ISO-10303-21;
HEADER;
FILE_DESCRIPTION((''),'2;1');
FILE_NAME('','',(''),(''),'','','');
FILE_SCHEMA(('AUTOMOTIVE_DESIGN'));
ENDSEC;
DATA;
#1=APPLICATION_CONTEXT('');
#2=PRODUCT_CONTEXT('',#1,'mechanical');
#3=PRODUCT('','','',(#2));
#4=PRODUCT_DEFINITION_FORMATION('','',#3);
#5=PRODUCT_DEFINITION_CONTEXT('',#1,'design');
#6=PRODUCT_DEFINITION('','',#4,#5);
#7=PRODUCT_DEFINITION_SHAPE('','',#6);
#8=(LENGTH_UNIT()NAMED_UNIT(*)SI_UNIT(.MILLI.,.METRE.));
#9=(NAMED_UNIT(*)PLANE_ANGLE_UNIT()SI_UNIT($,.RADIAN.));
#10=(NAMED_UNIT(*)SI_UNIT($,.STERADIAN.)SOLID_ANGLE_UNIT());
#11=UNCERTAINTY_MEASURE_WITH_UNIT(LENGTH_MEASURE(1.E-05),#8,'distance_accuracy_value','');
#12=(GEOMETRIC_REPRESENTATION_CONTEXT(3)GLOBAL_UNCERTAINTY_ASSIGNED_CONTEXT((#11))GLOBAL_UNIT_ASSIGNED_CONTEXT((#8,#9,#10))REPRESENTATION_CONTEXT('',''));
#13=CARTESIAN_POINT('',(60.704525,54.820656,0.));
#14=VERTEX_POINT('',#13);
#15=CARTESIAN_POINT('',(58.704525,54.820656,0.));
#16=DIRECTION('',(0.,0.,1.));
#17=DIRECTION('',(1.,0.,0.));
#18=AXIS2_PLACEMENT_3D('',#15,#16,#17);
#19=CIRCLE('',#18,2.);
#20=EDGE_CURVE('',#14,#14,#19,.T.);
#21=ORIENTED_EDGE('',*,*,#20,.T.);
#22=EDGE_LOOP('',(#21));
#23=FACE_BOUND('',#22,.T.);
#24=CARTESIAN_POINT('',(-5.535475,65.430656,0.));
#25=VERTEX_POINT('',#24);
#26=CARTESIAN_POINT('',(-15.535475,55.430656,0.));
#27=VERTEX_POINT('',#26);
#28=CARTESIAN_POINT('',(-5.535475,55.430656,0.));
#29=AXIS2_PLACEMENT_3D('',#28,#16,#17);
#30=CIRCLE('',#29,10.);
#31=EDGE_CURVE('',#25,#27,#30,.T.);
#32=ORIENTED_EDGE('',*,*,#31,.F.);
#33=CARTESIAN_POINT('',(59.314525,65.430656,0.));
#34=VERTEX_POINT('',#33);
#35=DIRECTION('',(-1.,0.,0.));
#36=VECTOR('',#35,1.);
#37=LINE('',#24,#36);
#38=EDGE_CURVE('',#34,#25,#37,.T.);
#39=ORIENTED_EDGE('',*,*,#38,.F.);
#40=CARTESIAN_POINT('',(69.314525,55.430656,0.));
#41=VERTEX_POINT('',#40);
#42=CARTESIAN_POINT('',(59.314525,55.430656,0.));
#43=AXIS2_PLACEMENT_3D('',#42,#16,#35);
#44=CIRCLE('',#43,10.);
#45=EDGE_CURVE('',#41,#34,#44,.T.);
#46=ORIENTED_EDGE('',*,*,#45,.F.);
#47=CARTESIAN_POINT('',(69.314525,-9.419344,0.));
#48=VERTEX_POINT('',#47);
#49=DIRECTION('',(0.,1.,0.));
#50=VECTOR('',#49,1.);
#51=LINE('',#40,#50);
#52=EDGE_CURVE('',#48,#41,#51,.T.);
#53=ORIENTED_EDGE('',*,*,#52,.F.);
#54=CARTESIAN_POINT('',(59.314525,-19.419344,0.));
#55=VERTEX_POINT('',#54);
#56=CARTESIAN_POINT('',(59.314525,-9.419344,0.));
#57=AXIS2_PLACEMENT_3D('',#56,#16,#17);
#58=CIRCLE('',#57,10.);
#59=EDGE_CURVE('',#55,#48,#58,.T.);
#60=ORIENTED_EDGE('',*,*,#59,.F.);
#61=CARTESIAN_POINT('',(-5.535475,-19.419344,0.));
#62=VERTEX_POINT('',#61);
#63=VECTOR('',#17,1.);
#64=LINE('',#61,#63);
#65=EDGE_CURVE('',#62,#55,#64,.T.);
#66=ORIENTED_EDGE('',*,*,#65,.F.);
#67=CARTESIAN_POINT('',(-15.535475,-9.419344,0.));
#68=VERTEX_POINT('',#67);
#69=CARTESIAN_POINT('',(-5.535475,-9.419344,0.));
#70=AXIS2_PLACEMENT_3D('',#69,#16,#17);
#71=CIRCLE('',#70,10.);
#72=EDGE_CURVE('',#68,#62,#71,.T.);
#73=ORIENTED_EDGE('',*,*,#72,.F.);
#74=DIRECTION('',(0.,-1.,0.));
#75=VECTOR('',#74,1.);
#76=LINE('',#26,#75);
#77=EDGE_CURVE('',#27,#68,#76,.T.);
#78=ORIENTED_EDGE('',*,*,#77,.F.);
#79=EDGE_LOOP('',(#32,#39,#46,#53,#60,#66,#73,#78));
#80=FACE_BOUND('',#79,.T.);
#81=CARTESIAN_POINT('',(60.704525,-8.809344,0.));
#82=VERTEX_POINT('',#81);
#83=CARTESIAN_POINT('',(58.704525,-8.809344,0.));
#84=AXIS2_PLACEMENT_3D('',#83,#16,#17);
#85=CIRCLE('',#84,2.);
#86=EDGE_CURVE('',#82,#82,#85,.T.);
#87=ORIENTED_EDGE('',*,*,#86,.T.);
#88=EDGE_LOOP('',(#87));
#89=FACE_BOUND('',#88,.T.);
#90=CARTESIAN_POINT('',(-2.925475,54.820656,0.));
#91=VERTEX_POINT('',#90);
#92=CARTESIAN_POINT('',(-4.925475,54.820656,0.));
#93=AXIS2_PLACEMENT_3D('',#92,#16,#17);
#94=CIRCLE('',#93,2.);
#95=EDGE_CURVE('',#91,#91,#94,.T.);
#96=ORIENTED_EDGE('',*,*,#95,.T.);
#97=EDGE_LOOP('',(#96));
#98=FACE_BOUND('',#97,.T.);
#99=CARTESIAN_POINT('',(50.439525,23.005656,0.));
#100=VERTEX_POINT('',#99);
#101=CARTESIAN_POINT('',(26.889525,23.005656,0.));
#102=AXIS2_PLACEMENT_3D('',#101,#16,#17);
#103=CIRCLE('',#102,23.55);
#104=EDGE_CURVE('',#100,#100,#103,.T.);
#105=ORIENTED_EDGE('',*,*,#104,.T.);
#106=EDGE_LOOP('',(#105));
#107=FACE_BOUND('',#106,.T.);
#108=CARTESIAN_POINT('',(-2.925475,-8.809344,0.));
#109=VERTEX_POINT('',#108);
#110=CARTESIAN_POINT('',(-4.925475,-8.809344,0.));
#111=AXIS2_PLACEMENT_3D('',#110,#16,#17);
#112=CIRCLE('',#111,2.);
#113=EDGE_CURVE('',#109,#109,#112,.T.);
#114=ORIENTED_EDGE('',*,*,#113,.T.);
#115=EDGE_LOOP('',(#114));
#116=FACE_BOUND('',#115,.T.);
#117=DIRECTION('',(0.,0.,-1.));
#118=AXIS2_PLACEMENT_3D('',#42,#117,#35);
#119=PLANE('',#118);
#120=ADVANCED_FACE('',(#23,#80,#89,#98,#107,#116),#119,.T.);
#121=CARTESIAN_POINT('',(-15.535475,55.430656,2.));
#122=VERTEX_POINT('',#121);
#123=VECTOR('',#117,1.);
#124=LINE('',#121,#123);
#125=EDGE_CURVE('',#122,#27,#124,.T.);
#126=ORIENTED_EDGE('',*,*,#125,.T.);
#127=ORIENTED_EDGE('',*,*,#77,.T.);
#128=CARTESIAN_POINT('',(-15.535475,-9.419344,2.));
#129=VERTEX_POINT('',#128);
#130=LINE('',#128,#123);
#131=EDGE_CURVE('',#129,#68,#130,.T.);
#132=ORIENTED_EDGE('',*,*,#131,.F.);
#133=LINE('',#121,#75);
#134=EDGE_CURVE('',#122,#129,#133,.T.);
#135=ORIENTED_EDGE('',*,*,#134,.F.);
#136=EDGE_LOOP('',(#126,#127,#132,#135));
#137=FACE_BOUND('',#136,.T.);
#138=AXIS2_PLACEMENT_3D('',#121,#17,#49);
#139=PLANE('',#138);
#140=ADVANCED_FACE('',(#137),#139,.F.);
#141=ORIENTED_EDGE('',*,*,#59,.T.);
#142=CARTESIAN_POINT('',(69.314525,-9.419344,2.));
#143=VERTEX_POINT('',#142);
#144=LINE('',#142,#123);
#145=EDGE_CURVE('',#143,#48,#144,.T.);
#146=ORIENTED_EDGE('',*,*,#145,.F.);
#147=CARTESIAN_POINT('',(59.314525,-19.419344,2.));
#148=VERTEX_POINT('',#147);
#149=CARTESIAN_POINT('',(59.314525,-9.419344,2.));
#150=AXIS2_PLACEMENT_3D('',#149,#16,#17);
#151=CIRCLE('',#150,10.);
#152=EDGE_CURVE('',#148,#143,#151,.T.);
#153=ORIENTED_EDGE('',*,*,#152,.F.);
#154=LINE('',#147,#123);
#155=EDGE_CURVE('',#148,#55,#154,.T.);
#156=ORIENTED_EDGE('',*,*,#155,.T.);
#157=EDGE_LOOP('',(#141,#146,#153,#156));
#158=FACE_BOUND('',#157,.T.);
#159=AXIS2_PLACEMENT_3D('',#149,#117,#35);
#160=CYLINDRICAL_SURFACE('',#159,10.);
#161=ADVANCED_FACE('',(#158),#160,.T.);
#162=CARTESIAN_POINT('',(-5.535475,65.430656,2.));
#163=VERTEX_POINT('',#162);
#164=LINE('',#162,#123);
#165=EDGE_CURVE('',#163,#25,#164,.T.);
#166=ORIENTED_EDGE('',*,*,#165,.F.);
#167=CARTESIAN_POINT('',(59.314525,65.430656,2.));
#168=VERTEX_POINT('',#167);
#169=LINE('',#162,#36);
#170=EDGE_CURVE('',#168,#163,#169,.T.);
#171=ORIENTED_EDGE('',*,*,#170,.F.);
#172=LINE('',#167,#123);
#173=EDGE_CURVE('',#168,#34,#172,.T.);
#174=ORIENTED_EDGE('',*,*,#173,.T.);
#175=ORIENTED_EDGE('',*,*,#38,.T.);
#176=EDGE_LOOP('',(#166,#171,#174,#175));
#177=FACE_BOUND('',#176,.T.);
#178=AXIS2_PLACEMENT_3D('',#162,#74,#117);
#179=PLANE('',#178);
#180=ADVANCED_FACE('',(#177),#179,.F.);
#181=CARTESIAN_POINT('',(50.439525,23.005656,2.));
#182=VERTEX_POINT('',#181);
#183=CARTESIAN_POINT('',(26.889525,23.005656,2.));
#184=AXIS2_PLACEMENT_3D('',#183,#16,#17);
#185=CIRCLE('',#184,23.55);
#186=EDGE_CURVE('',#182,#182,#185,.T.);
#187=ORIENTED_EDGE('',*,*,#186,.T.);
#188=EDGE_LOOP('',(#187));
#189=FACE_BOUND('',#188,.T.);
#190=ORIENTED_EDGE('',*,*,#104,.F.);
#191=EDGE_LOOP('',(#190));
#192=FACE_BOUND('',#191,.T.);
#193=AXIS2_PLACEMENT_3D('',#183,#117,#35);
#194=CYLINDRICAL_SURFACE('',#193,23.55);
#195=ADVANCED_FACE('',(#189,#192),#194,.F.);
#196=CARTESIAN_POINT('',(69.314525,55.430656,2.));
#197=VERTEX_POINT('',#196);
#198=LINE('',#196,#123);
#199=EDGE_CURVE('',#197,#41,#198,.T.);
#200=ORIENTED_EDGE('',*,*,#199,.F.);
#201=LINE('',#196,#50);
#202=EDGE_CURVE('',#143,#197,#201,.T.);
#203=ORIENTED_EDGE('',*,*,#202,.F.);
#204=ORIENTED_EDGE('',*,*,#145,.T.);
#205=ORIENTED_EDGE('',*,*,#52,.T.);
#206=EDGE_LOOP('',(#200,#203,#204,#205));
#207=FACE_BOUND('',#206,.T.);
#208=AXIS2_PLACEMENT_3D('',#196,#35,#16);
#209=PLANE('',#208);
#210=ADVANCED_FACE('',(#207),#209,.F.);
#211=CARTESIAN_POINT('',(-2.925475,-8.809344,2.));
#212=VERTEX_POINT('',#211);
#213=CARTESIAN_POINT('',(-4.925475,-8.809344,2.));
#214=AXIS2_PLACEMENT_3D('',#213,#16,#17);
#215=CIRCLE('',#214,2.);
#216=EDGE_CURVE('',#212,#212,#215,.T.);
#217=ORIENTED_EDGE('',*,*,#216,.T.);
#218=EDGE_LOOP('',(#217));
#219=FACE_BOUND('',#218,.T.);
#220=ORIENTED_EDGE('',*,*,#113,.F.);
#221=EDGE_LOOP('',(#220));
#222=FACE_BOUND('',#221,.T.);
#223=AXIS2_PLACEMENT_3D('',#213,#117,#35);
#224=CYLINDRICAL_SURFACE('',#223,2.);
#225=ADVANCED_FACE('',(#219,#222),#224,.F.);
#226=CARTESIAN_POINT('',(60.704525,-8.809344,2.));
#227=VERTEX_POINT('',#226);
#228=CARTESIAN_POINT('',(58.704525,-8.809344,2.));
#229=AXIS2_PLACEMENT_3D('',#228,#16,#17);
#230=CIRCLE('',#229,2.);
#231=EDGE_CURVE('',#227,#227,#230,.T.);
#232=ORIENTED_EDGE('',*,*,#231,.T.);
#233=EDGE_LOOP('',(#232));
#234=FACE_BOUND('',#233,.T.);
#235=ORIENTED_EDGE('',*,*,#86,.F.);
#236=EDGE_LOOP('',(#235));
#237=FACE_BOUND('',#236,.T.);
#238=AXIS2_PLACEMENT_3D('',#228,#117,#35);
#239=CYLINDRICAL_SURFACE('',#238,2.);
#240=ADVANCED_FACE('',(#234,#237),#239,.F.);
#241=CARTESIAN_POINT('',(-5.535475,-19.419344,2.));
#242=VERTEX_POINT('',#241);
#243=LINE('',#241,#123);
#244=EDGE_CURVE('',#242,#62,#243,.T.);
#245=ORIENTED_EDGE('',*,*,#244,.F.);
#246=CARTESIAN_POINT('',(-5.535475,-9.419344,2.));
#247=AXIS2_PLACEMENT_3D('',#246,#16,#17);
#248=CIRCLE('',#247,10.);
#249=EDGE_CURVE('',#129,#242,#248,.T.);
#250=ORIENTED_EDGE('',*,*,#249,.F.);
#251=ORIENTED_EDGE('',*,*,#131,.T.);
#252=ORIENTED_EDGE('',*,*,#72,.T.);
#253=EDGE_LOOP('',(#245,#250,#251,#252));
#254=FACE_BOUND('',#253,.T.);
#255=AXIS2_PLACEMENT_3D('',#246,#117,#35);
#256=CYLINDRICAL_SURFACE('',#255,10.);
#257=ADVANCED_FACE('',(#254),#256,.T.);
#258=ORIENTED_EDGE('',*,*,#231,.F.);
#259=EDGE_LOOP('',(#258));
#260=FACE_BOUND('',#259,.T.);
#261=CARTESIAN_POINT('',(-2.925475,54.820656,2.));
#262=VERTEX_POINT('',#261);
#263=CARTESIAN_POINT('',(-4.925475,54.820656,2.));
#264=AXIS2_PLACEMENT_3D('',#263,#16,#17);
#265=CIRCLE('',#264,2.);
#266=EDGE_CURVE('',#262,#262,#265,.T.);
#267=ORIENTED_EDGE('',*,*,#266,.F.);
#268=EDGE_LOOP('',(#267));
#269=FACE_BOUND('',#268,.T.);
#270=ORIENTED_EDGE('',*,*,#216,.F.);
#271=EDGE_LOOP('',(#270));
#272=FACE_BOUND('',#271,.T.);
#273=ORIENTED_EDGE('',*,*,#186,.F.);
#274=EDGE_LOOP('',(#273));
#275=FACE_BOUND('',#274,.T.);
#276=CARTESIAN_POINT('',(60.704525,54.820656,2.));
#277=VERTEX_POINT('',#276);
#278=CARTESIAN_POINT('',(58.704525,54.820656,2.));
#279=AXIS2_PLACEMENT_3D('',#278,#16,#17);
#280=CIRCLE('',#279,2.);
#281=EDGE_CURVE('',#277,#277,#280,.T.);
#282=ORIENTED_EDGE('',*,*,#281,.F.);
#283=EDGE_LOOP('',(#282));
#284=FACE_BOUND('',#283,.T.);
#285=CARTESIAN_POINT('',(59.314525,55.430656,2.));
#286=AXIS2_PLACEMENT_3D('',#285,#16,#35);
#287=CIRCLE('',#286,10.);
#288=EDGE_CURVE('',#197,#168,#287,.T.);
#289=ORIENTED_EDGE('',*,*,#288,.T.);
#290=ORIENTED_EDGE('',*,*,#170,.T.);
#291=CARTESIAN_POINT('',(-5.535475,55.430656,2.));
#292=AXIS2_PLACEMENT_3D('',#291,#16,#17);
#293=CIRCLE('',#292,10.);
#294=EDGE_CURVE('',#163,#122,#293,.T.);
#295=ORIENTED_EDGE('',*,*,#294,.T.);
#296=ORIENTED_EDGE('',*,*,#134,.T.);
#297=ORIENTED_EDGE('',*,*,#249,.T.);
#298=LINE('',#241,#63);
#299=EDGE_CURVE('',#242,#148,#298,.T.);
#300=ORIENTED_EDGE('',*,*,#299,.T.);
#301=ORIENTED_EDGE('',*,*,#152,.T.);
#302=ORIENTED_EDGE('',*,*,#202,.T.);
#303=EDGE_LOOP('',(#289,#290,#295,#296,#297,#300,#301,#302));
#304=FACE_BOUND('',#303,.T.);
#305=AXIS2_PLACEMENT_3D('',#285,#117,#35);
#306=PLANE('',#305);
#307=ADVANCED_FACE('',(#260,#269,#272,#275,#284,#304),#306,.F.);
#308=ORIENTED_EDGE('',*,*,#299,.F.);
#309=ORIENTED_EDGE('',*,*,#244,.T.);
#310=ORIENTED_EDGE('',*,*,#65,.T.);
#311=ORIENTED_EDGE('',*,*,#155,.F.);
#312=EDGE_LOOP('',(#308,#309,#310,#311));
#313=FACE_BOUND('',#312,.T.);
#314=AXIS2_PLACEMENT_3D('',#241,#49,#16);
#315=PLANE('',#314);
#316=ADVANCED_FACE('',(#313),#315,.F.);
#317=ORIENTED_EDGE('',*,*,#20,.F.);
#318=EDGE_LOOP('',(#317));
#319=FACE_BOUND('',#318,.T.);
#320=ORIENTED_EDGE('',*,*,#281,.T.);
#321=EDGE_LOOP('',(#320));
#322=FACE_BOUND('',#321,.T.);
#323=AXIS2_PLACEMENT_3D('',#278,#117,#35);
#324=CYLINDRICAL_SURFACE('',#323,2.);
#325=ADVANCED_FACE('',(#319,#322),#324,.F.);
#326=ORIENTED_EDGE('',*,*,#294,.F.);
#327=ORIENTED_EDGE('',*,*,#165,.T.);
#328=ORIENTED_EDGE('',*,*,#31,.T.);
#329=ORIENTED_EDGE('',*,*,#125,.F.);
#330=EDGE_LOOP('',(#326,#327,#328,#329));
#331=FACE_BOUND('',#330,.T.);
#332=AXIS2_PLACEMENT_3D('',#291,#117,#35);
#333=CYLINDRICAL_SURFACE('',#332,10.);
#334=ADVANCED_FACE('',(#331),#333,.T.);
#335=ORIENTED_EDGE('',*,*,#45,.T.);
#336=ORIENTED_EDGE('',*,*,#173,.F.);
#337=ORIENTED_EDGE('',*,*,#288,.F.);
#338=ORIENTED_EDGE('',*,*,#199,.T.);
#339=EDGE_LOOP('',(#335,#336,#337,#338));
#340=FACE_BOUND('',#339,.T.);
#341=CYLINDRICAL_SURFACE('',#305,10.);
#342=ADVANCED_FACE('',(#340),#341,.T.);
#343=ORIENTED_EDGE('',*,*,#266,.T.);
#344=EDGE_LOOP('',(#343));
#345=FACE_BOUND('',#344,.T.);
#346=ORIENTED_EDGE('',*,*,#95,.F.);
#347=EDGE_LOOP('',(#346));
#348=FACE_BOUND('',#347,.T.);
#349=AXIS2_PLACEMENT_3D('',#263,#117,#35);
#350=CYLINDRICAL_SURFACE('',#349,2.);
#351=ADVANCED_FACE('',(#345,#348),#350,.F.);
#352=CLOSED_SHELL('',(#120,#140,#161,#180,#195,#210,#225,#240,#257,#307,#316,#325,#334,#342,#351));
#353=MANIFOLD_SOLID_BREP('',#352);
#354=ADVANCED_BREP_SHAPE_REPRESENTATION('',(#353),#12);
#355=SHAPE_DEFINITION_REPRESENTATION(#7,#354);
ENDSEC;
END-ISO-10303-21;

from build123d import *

# Parameters (mm, degrees)
SKETCH1_R           = 23.55
SKETCH1_R_2         = 2
BOSS_EXTRUDE1_DEPTH = 2


with BuildPart() as part:
    # Sketch1 → Boss-Extrude1 (new body)
    with BuildSketch(Plane.XY):
        with BuildLine():
            Line((-5.535475367, 65.430655792), (59.314524633, 65.430655792))
            ThreePointArc((59.314524633, 65.430655792), (66.385592445, 62.501723604), (69.314524633, 55.430655792))
            Line((69.314524633, 55.430655792), (69.314524633, -9.419344208))
            ThreePointArc((69.314524633, -9.419344208), (66.385592445, -16.49041202), (59.314524633, -19.419344208))
            Line((59.314524633, -19.419344208), (-5.535475367, -19.419344208))
            ThreePointArc((-5.535475367, -19.419344208), (-12.606543178, -16.49041202), (-15.535475367, -9.419344208))
            Line((-15.535475367, -9.419344208), (-15.535475367, 55.430655792))
            ThreePointArc((-15.535475367, 55.430655792), (-12.606543178, 62.501723604), (-5.535475367, 65.430655792))
        make_face()
        with Locations((26.889524633, 23.005655792)):
            Circle(SKETCH1_R, mode=Mode.SUBTRACT)
        with Locations((-4.925475367, 54.820655792)):
            Circle(SKETCH1_R_2, mode=Mode.SUBTRACT)
        with Locations((-4.925475367, -8.809344208)):
            Circle(SKETCH1_R_2, mode=Mode.SUBTRACT)
        with Locations((58.704524633, 54.820655792)):
            Circle(SKETCH1_R_2, mode=Mode.SUBTRACT)
        with Locations((58.704524633, -8.809344208)):
            Circle(SKETCH1_R_2, mode=Mode.SUBTRACT)
    extrude(amount=BOSS_EXTRUDE1_DEPTH)


solid = part.part
